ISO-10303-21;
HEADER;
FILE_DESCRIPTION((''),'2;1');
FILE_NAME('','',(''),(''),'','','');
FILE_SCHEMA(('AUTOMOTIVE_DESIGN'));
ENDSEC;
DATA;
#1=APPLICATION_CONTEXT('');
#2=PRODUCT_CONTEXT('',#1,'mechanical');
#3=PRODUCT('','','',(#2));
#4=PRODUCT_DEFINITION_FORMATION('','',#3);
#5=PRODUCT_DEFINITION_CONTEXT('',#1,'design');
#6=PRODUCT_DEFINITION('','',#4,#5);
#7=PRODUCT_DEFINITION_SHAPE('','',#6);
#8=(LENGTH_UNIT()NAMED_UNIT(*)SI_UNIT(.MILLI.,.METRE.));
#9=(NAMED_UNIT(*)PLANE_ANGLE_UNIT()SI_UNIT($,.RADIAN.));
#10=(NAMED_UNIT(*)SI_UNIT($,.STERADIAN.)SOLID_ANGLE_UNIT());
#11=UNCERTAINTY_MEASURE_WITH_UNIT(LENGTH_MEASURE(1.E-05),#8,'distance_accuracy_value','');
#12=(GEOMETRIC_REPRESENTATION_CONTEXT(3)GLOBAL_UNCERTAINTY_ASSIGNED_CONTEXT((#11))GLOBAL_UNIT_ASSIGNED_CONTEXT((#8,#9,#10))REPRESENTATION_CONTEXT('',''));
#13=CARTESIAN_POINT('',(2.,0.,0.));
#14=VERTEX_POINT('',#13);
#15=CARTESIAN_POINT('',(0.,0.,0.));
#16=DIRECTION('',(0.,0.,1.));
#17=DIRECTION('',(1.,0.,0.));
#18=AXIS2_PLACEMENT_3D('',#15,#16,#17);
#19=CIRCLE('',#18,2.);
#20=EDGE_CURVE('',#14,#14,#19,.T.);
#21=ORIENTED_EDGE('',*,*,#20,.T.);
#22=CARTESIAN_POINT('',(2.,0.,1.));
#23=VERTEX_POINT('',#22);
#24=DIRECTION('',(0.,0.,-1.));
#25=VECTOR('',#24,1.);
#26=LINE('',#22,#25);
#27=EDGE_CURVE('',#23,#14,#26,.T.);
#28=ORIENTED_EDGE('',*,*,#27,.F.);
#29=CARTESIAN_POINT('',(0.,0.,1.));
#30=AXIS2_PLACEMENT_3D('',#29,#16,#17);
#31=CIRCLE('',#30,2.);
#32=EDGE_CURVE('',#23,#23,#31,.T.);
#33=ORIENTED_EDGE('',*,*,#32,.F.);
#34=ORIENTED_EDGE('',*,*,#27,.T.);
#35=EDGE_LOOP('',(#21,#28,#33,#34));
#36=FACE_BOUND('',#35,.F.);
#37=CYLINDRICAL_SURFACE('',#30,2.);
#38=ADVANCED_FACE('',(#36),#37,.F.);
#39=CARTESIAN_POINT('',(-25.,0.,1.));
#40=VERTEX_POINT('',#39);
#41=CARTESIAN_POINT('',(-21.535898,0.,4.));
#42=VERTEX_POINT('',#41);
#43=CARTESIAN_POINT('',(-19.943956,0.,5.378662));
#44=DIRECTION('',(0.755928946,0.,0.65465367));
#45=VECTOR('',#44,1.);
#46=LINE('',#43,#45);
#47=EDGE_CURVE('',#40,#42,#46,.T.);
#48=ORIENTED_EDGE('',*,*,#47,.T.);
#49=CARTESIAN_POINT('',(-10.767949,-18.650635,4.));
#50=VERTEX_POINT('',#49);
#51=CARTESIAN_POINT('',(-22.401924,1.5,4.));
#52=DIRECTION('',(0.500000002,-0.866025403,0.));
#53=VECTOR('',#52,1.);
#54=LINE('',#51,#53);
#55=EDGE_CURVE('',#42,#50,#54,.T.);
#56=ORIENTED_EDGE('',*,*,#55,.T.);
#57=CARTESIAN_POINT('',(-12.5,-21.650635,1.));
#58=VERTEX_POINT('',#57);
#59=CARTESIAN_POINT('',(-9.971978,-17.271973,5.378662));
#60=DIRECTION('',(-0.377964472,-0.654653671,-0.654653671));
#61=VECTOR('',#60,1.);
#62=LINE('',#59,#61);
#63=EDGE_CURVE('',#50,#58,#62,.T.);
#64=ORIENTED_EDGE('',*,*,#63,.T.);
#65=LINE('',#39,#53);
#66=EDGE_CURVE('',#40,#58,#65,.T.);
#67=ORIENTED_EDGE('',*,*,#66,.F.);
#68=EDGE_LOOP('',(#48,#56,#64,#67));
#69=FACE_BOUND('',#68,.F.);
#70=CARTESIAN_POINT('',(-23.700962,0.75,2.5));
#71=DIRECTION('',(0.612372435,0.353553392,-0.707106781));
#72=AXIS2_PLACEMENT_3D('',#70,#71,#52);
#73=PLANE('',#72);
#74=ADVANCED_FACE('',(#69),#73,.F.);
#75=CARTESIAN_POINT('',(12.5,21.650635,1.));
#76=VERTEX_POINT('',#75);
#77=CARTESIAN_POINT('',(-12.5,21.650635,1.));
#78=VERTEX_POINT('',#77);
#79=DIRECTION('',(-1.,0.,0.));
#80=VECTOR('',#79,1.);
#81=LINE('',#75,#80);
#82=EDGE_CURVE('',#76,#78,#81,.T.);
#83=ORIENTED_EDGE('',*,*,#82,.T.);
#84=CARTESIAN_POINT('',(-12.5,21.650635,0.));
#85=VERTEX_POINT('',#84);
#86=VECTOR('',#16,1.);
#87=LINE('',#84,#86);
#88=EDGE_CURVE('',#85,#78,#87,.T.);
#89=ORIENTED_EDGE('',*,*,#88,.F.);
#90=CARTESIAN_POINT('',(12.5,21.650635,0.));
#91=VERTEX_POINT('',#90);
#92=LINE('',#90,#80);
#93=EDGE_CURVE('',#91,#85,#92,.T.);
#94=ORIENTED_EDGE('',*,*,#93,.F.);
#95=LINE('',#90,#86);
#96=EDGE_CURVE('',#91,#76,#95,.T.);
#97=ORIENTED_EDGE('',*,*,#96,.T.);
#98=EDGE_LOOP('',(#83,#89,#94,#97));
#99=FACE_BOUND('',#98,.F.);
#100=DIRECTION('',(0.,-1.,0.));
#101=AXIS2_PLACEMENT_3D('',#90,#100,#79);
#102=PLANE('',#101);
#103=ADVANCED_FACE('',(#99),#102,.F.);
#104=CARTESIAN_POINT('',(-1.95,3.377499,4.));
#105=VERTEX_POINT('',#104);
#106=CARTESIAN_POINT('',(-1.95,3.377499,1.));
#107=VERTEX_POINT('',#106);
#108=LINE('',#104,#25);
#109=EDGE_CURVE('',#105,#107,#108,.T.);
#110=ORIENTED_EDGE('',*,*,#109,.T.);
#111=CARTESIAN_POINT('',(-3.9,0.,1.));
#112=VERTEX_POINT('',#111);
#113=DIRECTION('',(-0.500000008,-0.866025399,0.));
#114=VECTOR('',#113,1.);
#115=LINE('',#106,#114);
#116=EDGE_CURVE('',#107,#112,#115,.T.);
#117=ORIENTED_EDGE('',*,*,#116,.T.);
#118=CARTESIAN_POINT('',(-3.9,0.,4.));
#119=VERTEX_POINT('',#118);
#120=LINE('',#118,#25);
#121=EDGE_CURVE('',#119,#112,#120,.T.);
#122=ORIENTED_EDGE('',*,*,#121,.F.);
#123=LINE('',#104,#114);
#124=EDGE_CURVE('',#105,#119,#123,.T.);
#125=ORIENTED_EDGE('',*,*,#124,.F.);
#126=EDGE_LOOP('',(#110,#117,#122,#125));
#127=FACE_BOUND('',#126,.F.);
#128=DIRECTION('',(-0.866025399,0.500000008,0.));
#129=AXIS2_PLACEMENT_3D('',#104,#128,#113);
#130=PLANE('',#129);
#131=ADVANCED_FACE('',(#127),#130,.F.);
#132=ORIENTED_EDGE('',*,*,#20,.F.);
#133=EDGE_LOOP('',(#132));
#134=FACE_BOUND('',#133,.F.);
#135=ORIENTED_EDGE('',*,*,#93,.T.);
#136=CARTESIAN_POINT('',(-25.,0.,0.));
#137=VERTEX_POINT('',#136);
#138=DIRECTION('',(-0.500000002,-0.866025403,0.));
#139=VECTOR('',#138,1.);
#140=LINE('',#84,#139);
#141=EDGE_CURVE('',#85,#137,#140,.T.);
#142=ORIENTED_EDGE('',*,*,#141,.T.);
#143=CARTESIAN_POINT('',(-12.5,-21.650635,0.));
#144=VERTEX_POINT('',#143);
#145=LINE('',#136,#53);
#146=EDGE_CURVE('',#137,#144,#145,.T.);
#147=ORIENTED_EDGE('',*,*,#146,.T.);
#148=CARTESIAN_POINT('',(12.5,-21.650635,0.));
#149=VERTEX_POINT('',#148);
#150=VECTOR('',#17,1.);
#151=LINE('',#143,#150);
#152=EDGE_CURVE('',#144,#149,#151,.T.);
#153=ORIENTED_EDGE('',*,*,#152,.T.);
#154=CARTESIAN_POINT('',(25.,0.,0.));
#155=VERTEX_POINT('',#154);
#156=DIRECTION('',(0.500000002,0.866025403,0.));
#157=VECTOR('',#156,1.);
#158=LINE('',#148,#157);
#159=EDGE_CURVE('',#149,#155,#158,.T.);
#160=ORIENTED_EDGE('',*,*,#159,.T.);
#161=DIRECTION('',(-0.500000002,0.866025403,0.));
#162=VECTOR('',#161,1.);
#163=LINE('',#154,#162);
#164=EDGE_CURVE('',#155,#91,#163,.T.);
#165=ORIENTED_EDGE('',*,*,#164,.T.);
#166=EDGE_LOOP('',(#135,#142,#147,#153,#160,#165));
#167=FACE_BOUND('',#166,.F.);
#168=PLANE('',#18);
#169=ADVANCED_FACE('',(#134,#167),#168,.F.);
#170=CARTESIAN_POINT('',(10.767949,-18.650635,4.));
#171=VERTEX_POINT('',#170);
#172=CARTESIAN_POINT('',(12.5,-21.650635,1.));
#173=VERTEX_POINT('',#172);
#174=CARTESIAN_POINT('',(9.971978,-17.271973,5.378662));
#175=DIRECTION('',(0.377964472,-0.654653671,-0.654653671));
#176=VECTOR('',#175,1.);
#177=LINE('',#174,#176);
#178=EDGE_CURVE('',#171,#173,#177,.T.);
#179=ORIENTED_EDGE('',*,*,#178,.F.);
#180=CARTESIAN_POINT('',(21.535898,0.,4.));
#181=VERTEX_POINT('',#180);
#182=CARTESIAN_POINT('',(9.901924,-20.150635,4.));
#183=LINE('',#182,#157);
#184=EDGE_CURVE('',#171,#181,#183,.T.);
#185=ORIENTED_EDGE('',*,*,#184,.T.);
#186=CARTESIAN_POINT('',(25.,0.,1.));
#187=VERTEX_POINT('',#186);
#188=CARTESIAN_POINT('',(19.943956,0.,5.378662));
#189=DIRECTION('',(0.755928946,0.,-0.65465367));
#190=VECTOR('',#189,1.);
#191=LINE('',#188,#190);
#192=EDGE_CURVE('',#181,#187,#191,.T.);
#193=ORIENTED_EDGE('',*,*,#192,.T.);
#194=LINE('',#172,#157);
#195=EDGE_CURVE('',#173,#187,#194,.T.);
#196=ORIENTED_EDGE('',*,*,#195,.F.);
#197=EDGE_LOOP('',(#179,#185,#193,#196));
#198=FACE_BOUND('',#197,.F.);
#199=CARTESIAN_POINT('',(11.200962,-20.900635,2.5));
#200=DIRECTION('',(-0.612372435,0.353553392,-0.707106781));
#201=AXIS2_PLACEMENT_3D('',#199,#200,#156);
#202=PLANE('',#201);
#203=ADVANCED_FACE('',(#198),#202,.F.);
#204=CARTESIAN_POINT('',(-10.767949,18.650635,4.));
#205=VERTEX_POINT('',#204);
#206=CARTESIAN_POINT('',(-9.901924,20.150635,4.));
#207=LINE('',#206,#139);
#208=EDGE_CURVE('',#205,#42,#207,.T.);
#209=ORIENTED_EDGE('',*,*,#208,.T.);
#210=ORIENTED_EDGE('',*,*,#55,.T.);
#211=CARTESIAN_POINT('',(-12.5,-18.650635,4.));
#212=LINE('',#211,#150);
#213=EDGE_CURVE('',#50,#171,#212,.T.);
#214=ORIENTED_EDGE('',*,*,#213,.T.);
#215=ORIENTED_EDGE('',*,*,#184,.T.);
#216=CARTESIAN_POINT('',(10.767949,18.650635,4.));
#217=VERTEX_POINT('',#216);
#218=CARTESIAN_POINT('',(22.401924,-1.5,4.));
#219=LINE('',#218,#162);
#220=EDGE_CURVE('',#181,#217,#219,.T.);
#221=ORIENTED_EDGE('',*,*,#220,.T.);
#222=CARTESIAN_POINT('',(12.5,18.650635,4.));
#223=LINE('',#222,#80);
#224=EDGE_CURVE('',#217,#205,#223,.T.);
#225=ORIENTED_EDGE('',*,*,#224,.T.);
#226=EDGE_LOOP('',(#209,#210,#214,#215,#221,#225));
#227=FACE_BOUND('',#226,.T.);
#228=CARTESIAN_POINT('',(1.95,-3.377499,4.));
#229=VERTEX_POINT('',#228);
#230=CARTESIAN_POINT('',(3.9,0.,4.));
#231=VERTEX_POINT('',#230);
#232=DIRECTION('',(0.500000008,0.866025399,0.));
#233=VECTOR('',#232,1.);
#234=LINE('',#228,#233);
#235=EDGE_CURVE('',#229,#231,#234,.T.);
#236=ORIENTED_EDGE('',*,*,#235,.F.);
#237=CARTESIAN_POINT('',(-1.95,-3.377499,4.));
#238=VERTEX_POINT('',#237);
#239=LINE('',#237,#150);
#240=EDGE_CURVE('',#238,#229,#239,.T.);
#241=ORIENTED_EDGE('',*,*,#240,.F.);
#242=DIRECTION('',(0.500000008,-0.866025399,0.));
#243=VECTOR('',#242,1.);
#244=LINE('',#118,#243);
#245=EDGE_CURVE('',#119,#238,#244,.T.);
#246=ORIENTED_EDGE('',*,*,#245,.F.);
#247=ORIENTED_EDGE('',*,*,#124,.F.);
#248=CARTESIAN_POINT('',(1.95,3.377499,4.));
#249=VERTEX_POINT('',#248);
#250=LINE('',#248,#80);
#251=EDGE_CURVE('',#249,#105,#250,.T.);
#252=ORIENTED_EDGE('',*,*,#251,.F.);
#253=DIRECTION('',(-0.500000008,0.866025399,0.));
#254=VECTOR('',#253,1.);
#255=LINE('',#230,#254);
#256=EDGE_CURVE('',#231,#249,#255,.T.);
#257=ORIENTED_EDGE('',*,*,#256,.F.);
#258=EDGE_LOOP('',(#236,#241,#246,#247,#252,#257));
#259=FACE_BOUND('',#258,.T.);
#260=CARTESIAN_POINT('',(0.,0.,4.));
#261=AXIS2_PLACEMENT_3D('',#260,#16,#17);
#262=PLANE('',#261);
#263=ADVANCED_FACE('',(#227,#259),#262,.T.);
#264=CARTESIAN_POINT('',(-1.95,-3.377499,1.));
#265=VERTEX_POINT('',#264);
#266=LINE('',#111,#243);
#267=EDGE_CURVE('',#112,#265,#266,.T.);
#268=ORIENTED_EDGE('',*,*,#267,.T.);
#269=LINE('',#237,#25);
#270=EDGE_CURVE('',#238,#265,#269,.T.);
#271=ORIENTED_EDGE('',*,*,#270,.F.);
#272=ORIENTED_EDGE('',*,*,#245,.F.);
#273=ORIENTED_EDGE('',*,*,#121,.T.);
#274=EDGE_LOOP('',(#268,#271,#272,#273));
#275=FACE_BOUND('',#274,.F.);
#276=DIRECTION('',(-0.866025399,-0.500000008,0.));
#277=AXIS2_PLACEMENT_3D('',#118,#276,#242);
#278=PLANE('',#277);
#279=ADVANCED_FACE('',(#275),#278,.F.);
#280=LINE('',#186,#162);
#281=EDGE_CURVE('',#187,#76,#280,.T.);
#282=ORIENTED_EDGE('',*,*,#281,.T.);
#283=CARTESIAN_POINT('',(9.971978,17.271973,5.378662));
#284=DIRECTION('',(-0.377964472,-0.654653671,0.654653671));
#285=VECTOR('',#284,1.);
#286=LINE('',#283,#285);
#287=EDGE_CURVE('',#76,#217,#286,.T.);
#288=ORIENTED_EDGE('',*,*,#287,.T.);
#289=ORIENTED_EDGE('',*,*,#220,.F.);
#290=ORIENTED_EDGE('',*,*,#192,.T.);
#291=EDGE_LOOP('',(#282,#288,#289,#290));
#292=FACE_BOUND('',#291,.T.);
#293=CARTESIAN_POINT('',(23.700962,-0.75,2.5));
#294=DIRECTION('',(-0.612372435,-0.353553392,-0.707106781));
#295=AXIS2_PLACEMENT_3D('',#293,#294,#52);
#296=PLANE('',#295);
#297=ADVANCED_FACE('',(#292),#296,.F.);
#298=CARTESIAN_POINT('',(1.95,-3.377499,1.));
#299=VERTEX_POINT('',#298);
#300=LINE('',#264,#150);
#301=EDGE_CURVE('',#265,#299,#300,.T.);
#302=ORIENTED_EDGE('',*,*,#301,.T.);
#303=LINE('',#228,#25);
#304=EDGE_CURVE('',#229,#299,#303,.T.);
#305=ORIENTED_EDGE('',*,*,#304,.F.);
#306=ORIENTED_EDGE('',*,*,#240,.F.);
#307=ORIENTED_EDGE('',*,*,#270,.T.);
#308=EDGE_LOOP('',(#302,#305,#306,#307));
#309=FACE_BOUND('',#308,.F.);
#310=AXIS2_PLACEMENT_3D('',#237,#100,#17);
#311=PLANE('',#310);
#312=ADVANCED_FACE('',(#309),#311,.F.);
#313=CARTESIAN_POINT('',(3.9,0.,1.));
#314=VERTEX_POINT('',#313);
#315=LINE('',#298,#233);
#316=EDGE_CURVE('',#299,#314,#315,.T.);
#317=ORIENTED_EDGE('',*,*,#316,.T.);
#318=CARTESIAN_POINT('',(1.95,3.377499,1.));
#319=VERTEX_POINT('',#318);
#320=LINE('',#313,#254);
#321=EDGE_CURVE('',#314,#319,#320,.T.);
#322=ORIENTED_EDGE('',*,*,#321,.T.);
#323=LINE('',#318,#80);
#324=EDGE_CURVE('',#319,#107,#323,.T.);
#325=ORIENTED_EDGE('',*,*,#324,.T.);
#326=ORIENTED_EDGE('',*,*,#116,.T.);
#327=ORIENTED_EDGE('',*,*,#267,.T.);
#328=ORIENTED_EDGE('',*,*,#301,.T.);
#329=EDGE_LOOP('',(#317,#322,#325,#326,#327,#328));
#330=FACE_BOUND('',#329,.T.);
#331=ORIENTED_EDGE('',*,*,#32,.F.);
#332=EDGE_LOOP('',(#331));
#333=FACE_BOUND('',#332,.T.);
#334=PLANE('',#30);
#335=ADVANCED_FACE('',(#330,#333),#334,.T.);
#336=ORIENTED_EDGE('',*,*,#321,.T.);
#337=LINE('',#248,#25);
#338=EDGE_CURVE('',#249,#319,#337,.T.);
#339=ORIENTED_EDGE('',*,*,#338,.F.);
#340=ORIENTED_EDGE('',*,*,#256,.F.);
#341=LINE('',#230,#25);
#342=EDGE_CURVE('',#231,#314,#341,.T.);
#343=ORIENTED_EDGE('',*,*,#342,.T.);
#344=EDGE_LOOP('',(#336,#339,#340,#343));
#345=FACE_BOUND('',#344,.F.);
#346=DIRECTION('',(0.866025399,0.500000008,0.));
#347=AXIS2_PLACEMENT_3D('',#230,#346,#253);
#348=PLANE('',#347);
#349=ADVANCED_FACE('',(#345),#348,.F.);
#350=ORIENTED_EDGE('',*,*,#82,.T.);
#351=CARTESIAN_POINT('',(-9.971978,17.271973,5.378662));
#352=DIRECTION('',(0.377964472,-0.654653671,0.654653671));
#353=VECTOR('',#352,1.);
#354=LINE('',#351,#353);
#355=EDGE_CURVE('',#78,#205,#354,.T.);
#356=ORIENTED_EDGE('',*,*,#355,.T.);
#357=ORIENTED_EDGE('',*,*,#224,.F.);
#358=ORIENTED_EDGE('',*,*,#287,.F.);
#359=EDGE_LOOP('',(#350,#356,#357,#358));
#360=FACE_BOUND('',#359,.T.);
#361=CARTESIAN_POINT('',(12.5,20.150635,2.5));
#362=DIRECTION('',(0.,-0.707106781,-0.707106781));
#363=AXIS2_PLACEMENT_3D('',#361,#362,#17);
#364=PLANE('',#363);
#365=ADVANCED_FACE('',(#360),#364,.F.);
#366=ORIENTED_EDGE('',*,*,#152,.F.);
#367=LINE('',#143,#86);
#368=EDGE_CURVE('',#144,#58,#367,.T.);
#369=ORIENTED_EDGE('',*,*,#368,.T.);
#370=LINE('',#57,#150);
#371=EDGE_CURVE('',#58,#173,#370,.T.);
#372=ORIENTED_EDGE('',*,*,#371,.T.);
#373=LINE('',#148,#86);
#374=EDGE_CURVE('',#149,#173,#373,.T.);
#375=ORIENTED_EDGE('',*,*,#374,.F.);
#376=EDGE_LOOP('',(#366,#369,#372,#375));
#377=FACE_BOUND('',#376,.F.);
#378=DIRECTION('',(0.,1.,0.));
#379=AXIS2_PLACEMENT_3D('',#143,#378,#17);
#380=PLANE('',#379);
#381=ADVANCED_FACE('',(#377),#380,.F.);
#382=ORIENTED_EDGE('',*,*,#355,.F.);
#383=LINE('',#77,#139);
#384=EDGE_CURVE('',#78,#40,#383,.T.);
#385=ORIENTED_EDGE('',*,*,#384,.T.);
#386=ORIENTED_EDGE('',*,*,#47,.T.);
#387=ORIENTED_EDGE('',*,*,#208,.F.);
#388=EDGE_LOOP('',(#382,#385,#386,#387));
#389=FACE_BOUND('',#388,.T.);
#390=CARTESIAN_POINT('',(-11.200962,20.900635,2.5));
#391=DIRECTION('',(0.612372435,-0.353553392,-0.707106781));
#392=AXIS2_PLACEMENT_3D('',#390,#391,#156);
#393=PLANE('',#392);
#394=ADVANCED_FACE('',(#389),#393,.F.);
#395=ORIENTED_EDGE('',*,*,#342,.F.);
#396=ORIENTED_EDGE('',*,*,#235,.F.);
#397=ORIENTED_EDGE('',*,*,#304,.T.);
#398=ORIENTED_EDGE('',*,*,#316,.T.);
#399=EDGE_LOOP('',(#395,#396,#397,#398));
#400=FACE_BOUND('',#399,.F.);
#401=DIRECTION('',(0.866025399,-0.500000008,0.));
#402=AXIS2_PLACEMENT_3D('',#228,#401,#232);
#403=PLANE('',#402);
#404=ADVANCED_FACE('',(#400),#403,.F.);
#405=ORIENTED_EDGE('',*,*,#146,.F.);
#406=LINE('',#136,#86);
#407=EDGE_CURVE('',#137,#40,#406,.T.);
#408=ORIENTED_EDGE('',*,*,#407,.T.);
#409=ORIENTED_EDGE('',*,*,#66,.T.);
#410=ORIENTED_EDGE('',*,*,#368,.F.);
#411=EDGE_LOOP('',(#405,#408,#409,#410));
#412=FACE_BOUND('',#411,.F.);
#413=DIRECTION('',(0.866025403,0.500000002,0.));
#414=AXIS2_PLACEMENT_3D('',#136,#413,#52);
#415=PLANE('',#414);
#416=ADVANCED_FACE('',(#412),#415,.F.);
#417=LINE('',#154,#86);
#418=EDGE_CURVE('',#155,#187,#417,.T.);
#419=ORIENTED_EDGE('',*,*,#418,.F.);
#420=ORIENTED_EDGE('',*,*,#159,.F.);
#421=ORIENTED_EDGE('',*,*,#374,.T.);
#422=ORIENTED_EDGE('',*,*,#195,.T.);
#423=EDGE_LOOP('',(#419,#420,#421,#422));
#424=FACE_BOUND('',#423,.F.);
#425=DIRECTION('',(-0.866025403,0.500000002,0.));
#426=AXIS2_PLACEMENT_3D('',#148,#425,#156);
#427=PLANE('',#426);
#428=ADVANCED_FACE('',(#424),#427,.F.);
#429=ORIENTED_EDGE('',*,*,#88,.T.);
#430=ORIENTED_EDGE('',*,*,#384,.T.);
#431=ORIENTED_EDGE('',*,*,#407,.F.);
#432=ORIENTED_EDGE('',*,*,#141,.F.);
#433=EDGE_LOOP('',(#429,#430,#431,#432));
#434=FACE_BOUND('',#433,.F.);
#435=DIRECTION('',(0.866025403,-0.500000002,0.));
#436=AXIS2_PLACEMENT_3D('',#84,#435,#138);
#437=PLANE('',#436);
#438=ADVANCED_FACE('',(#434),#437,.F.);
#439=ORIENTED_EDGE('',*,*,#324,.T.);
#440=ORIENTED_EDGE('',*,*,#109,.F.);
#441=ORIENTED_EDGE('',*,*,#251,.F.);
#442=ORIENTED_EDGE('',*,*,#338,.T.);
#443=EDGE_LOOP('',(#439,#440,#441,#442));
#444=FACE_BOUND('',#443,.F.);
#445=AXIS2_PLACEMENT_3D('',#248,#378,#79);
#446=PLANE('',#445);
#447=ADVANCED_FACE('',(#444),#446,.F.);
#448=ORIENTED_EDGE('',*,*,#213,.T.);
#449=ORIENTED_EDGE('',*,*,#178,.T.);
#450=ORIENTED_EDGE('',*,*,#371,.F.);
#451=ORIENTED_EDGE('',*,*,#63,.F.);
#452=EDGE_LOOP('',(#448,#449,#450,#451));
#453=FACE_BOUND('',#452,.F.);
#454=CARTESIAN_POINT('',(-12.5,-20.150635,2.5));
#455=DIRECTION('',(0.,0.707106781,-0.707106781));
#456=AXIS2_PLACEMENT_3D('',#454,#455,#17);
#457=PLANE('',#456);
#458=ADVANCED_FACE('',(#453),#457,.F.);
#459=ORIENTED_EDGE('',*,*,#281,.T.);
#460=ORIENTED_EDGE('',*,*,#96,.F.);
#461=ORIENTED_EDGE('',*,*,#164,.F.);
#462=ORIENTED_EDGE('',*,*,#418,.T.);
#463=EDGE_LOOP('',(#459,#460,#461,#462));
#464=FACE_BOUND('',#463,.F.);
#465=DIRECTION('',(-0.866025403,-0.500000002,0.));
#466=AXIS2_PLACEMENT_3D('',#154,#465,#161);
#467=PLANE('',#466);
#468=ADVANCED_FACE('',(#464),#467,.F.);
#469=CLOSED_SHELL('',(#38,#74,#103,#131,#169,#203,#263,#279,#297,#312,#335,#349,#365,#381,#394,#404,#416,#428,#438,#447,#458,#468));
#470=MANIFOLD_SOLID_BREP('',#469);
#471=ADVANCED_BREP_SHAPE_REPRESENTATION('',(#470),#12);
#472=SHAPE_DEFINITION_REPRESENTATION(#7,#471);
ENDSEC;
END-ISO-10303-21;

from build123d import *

# Parameters (mm, degrees)
PAD_DEPTH       = 4
POCKET_DEPTH    = 3
SKETCH002_R     = 2
POCKET001_DEPTH = 5
CHAMFER_SIZE    = 3


with BuildPart() as part:
    # Sketch → Pad (new body)
    with BuildSketch(Plane.XY):
        Polygon((12.5, 21.650635), (-12.5, 21.650635), (-25, 0), (-12.5, -21.650635), (12.5, -21.650635), (25, 0), align=None)
    extrude(amount=PAD_DEPTH)

    # Sketch001 (on Face8 of Pad) → Pocket (cut)
    with BuildSketch(Plane.XY.offset(4)):
        Polygon((1.95, 3.377499), (-1.95, 3.377499), (-3.9, 0), (-1.95, -3.377499), (1.95, -3.377499), (3.9, 0), align=None)
    extrude(amount=-POCKET_DEPTH, mode=Mode.SUBTRACT)

    # Sketch002 (on Face15 of Pocket) → Pocket001 (cut)
    with BuildSketch(Plane.XY.offset(1)):
        Circle(SKETCH002_R)
    extrude(amount=-POCKET001_DEPTH, mode=Mode.SUBTRACT)

    # Chamfer
    chamfer_edges = [part.edges().sort_by_distance(p)[0] for p in [
        (-18.75, 10.825318, 4),
        (-18.75, -10.825318, 4),
        (0, -21.650635, 4),
        (18.75, -10.825318, 4),
        (18.75, 10.825318, 4),
        (0, 21.650635, 4),
    ]]
    chamfer(chamfer_edges, length=CHAMFER_SIZE)


solid = part.part
